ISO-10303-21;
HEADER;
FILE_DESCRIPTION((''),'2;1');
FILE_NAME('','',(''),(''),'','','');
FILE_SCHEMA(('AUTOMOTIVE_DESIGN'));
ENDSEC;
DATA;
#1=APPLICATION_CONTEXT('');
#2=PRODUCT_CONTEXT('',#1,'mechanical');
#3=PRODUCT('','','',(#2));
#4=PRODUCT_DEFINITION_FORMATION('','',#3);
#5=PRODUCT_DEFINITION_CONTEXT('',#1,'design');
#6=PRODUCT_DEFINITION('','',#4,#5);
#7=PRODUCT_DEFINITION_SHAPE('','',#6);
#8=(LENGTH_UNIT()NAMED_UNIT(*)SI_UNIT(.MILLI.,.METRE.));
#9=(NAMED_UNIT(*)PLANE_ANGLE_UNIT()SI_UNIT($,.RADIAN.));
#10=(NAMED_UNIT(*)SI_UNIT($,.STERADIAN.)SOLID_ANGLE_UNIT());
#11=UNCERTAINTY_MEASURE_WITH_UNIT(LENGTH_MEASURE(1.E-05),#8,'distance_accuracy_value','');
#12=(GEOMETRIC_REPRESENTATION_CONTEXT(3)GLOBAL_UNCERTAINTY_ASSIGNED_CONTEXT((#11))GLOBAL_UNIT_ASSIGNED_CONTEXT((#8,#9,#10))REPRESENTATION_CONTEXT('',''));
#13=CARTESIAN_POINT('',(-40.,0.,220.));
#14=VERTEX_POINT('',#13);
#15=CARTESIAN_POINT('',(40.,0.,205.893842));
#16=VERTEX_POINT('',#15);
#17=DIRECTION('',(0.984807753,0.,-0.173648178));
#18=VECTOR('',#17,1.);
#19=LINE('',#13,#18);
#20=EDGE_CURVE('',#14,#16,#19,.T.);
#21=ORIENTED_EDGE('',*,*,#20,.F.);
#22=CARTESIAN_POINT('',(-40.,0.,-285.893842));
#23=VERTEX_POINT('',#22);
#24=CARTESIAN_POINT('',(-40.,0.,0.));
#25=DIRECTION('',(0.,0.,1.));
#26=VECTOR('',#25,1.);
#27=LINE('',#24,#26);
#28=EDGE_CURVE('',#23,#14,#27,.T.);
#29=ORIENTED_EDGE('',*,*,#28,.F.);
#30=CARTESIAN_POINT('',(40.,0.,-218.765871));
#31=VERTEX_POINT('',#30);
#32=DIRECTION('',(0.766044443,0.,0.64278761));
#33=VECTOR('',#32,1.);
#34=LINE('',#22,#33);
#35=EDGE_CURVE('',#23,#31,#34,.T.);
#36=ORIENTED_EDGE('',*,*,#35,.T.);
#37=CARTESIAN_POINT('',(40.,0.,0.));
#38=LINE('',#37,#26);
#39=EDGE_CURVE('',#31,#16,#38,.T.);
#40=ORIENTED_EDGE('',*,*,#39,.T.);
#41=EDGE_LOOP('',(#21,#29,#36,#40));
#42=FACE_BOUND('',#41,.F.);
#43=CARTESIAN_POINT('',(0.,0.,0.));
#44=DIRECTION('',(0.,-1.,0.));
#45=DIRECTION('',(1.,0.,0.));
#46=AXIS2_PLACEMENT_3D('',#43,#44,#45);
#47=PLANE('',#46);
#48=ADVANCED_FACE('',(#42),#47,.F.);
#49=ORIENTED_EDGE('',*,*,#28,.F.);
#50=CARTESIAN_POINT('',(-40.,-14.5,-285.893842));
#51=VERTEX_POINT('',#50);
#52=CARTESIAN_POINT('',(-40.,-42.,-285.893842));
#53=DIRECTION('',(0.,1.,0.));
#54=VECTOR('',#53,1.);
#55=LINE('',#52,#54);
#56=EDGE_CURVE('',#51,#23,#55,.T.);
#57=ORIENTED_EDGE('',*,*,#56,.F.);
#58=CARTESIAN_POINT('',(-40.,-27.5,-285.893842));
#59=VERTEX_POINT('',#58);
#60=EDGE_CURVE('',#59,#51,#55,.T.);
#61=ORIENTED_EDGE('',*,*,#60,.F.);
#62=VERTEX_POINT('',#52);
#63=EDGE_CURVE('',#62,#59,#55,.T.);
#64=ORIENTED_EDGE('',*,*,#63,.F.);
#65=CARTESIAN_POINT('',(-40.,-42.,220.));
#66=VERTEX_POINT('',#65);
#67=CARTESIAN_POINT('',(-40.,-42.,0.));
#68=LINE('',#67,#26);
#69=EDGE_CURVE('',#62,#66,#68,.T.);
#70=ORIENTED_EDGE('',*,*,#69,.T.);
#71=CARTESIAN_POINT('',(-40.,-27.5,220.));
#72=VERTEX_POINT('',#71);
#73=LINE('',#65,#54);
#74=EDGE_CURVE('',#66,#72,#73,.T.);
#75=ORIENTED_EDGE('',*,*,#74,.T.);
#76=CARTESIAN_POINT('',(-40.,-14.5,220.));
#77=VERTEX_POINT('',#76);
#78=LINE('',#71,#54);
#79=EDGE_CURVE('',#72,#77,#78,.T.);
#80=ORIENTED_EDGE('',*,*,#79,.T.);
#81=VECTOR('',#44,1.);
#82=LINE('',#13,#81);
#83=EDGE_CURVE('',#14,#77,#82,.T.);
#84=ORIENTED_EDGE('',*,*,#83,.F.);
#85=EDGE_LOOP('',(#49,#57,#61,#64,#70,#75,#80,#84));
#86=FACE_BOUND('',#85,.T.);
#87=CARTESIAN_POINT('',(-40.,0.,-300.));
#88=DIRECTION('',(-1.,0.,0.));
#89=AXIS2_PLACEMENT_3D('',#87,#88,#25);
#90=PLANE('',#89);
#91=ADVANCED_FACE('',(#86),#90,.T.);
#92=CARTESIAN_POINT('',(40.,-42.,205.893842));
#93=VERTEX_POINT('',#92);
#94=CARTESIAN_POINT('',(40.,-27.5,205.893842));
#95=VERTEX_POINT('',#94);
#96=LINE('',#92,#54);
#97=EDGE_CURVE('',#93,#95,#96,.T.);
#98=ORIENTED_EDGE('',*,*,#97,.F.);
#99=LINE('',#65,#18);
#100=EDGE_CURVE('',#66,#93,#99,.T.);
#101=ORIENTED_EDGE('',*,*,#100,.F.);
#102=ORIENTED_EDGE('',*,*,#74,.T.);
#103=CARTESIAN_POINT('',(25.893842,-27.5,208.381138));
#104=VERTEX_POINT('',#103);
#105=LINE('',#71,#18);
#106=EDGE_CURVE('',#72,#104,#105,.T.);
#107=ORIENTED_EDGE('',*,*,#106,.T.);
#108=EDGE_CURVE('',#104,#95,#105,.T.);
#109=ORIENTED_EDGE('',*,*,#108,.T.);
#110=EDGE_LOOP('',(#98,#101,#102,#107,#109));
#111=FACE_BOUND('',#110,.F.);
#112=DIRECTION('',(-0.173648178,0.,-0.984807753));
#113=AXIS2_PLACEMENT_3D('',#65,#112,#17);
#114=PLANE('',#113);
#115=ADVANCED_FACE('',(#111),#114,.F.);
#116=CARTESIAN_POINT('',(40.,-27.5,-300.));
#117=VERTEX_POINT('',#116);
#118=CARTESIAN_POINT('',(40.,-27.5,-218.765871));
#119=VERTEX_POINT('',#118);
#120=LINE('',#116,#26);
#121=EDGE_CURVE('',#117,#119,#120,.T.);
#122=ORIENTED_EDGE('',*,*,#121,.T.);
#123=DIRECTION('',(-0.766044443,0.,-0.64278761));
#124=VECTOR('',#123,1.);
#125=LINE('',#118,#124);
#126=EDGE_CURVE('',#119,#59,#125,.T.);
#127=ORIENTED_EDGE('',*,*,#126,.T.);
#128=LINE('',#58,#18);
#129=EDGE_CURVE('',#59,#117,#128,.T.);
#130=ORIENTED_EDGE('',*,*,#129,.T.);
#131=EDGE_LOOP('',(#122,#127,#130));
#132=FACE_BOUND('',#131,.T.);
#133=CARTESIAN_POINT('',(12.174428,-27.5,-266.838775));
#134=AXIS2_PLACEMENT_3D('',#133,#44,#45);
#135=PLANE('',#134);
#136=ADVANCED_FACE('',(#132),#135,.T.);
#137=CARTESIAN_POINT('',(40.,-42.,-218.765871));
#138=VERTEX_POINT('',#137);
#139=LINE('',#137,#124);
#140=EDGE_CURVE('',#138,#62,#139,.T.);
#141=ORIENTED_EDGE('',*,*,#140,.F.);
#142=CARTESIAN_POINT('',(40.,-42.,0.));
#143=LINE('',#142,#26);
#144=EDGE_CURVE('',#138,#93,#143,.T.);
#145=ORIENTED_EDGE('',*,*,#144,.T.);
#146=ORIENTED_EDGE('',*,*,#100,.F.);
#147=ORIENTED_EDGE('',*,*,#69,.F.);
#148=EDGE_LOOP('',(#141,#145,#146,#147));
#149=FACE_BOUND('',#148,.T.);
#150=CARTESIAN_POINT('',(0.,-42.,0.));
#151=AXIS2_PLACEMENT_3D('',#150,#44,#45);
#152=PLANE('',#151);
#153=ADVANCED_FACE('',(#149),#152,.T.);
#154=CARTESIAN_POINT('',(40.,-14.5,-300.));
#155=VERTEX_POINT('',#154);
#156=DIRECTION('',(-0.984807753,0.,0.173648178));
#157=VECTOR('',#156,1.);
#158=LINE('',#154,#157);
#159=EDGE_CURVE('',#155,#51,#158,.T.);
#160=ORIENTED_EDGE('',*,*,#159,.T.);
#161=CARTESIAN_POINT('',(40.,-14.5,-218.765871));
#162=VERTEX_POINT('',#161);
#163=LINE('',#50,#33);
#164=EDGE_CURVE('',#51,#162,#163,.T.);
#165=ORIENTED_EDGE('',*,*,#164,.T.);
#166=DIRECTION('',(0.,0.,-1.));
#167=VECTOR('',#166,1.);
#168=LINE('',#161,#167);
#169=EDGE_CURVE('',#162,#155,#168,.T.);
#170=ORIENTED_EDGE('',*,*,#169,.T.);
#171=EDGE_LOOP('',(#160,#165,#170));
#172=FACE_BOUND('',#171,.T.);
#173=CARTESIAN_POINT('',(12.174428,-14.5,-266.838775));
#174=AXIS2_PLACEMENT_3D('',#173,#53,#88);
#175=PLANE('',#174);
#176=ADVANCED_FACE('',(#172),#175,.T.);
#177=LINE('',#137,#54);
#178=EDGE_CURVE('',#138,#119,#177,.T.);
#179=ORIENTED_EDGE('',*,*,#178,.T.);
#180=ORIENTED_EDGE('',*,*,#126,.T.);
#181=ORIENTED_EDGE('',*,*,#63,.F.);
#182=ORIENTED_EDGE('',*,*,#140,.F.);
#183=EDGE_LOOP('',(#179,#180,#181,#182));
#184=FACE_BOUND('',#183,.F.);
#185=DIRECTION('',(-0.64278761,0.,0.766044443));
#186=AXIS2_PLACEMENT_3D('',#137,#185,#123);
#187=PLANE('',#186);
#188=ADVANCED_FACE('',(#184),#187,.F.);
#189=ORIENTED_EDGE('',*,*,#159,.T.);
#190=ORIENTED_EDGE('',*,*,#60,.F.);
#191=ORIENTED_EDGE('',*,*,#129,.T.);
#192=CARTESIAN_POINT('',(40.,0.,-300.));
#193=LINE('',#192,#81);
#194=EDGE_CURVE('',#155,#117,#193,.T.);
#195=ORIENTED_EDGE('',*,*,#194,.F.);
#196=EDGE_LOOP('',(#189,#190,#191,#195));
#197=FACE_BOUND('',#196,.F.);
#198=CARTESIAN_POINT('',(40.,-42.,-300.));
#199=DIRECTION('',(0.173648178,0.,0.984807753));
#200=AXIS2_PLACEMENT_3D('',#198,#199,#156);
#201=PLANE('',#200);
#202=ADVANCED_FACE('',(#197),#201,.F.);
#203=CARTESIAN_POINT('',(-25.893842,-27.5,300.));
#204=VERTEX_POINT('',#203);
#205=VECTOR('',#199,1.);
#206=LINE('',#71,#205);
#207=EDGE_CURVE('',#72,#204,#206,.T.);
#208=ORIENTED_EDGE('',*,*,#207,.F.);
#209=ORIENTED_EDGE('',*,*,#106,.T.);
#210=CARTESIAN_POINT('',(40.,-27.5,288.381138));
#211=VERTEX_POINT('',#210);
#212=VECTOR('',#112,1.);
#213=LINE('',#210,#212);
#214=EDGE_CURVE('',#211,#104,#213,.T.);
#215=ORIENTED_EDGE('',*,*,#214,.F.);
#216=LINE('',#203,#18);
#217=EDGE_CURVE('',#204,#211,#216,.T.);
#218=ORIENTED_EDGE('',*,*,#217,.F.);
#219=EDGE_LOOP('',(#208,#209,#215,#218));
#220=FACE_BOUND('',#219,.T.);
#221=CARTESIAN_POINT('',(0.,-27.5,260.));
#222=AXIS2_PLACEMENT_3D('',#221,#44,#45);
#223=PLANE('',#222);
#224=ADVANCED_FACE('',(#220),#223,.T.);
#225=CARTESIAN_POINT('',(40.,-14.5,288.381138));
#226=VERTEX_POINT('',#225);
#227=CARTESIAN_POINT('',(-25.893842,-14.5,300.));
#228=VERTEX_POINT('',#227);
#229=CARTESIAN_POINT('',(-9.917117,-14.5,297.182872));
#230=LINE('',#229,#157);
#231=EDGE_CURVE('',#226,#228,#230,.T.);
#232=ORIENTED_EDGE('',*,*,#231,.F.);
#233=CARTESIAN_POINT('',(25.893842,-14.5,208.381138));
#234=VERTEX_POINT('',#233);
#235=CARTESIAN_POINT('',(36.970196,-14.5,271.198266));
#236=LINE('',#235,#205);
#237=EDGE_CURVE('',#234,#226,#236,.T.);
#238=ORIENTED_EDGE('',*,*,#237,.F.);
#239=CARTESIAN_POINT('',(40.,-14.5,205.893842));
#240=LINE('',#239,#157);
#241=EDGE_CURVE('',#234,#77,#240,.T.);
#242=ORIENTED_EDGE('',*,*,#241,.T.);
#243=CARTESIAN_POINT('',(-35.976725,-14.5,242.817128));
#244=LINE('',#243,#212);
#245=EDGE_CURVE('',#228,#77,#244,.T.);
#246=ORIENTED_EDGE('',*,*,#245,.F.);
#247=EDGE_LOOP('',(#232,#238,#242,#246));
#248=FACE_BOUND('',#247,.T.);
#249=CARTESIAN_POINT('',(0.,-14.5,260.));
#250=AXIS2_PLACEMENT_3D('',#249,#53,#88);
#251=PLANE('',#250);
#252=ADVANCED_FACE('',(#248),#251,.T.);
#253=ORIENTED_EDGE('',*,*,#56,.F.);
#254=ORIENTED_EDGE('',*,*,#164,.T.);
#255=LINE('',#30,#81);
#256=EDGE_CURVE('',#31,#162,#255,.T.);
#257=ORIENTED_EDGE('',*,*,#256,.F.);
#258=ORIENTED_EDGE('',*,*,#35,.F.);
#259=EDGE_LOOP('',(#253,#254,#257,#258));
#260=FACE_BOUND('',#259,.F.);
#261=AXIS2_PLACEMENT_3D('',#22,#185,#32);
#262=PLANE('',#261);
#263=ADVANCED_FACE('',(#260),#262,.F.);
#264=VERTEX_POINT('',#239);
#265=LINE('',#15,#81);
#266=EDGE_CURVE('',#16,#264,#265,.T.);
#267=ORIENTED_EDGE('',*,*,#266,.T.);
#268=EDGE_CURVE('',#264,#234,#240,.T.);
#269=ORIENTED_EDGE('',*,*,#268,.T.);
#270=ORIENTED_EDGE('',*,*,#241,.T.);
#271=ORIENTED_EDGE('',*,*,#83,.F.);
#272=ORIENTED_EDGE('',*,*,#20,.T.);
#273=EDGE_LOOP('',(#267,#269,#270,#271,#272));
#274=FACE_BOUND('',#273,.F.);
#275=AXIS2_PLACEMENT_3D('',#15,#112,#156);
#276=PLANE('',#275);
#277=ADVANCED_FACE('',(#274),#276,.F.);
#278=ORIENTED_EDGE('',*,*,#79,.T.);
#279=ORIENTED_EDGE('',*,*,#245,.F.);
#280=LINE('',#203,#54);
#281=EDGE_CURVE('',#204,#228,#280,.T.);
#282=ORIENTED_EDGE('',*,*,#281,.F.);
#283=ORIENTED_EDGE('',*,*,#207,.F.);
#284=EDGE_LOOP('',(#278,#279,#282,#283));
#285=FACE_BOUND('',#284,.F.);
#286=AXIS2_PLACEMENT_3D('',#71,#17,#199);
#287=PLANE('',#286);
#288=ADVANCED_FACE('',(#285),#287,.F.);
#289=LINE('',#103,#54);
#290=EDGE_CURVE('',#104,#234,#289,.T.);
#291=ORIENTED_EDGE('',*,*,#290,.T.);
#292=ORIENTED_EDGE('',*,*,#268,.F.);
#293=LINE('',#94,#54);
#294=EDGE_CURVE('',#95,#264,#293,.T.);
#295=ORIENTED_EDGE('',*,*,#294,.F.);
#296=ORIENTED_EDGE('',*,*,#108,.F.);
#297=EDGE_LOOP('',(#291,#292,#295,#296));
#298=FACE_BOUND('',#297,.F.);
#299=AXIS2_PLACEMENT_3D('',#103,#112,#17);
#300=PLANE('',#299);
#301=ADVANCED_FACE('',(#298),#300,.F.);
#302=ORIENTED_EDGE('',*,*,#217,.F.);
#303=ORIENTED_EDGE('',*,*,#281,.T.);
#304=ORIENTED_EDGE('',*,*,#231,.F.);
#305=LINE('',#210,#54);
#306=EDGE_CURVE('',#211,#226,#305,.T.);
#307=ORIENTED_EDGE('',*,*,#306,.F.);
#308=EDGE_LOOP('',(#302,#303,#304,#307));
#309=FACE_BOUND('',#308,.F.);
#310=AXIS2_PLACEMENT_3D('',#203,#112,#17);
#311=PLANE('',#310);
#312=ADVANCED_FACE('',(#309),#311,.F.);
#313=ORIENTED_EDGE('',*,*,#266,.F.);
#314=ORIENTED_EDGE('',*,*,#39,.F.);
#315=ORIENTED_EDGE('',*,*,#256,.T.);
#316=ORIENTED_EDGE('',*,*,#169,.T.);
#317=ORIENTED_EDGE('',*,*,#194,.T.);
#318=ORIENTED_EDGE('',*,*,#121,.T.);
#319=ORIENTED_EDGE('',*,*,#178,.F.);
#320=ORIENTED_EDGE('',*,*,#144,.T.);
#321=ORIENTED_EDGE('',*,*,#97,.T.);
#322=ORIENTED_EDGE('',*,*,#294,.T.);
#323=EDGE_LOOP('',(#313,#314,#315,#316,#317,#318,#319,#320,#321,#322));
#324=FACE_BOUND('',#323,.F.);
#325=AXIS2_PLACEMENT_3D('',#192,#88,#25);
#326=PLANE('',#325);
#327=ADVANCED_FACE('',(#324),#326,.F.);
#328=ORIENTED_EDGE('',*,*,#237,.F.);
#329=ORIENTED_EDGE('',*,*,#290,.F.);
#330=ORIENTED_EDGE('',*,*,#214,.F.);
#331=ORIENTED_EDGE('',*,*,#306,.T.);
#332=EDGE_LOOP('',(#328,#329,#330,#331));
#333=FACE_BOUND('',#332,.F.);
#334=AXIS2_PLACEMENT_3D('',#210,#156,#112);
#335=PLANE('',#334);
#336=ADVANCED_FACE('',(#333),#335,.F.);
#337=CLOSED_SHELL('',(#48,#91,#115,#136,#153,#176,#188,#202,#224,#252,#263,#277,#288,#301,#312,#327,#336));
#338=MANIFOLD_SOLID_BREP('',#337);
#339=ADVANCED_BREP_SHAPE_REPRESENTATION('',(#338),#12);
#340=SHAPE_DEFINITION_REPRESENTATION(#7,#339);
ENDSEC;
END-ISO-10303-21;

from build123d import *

# Parameters (mm, degrees)
F0_W      = 80
F0_H      = 600
F1_DEPTH  = 42
F2_W      = 80
F2_H      = 80
F3_DEPTH  = 14.5
F4_W      = 80
F4_H      = 80
F5_DEPTH  = 14.5
F7_DEPTH  = 14.5
F9_DEPTH  = 14.5
F11_DEPTH = 27.501
F13_DEPTH = 42.001
F15_DEPTH = 14.5
F17_DEPTH = 14.5


with BuildPart() as f1:
    # F0 (on Front) → F1 (new body)
    with BuildSketch(Plane.XZ):
        Rectangle(F0_W, F0_H)
    extrude(amount=F1_DEPTH)

    # F2 (on face) → F3 (cut)
    with BuildSketch(Plane.XZ.offset(42)):
        with Locations((0, 260)):
            Rectangle(F2_W, F2_H)
    extrude(amount=-F3_DEPTH, mode=Mode.SUBTRACT)

    # F4 (on face) → F5 (cut)
    with BuildSketch(Plane(origin=(0, 0, 0), x_dir=(-1, 0, 0), z_dir=(0, 1, 0))):
        with Locations((0, 260)):
            Rectangle(F4_W, F4_H)
    extrude(amount=-F5_DEPTH, mode=Mode.SUBTRACT)

    # F6 (on face) → F7 (cut, through all)
    with BuildSketch(Plane.XZ.offset(42)):
        Polygon((40, 220), (-40, 220), (40, 205.8938415433), align=None)
    extrude(amount=-F7_DEPTH, mode=Mode.SUBTRACT)

    # F8 (on face) → F9 (cut, through all)
    with BuildSketch(Plane(origin=(0, 0, 0), x_dir=(-1, 0, 0), z_dir=(0, 1, 0))):
        Polygon((-40, 205.8938415433), (40, 220), (-40, 220), align=None)
    extrude(amount=-F9_DEPTH, mode=Mode.SUBTRACT)

    # F10 (on face) → F11 (cut, through all)
    with BuildSketch(Plane.XZ.offset(27.5)):
        Polygon((-40, 300), (-40, 220), (-25.8938415433, 300), align=None)
        Polygon((40, 300), (-25.8938415433, 300), (40, 288.3811378734), align=None)
        Polygon((40, 288.3811378734), (25.8938415433, 208.3811378734), (40, 205.8938415433), align=None)
    extrude(amount=-F11_DEPTH, mode=Mode.SUBTRACT)

    # F12 (on face) → F13 (cut, through all)
    with BuildSketch(Plane.XZ.offset(42)):
        Polygon((-40, -300), (40, -300), (-40, -285.8938415433), align=None)
    extrude(amount=-F13_DEPTH, mode=Mode.SUBTRACT)

    # F14 (on face) → F15 (cut)
    with BuildSketch(Plane.XZ.offset(42)):
        Polygon((-40, -285.8938415433), (40, -300), (40, -218.7658710491), align=None)
    extrude(amount=-F15_DEPTH, mode=Mode.SUBTRACT)

    # F16 (on face) → F17 (cut)
    with BuildSketch(Plane(origin=(0, 0, 0), x_dir=(-1, 0, 0), z_dir=(0, 1, 0))):
        Polygon((-40, -218.7658710491), (-40, -300), (40, -285.8938415433), align=None)
    extrude(amount=-F17_DEPTH, mode=Mode.SUBTRACT)


solid = f1.part
